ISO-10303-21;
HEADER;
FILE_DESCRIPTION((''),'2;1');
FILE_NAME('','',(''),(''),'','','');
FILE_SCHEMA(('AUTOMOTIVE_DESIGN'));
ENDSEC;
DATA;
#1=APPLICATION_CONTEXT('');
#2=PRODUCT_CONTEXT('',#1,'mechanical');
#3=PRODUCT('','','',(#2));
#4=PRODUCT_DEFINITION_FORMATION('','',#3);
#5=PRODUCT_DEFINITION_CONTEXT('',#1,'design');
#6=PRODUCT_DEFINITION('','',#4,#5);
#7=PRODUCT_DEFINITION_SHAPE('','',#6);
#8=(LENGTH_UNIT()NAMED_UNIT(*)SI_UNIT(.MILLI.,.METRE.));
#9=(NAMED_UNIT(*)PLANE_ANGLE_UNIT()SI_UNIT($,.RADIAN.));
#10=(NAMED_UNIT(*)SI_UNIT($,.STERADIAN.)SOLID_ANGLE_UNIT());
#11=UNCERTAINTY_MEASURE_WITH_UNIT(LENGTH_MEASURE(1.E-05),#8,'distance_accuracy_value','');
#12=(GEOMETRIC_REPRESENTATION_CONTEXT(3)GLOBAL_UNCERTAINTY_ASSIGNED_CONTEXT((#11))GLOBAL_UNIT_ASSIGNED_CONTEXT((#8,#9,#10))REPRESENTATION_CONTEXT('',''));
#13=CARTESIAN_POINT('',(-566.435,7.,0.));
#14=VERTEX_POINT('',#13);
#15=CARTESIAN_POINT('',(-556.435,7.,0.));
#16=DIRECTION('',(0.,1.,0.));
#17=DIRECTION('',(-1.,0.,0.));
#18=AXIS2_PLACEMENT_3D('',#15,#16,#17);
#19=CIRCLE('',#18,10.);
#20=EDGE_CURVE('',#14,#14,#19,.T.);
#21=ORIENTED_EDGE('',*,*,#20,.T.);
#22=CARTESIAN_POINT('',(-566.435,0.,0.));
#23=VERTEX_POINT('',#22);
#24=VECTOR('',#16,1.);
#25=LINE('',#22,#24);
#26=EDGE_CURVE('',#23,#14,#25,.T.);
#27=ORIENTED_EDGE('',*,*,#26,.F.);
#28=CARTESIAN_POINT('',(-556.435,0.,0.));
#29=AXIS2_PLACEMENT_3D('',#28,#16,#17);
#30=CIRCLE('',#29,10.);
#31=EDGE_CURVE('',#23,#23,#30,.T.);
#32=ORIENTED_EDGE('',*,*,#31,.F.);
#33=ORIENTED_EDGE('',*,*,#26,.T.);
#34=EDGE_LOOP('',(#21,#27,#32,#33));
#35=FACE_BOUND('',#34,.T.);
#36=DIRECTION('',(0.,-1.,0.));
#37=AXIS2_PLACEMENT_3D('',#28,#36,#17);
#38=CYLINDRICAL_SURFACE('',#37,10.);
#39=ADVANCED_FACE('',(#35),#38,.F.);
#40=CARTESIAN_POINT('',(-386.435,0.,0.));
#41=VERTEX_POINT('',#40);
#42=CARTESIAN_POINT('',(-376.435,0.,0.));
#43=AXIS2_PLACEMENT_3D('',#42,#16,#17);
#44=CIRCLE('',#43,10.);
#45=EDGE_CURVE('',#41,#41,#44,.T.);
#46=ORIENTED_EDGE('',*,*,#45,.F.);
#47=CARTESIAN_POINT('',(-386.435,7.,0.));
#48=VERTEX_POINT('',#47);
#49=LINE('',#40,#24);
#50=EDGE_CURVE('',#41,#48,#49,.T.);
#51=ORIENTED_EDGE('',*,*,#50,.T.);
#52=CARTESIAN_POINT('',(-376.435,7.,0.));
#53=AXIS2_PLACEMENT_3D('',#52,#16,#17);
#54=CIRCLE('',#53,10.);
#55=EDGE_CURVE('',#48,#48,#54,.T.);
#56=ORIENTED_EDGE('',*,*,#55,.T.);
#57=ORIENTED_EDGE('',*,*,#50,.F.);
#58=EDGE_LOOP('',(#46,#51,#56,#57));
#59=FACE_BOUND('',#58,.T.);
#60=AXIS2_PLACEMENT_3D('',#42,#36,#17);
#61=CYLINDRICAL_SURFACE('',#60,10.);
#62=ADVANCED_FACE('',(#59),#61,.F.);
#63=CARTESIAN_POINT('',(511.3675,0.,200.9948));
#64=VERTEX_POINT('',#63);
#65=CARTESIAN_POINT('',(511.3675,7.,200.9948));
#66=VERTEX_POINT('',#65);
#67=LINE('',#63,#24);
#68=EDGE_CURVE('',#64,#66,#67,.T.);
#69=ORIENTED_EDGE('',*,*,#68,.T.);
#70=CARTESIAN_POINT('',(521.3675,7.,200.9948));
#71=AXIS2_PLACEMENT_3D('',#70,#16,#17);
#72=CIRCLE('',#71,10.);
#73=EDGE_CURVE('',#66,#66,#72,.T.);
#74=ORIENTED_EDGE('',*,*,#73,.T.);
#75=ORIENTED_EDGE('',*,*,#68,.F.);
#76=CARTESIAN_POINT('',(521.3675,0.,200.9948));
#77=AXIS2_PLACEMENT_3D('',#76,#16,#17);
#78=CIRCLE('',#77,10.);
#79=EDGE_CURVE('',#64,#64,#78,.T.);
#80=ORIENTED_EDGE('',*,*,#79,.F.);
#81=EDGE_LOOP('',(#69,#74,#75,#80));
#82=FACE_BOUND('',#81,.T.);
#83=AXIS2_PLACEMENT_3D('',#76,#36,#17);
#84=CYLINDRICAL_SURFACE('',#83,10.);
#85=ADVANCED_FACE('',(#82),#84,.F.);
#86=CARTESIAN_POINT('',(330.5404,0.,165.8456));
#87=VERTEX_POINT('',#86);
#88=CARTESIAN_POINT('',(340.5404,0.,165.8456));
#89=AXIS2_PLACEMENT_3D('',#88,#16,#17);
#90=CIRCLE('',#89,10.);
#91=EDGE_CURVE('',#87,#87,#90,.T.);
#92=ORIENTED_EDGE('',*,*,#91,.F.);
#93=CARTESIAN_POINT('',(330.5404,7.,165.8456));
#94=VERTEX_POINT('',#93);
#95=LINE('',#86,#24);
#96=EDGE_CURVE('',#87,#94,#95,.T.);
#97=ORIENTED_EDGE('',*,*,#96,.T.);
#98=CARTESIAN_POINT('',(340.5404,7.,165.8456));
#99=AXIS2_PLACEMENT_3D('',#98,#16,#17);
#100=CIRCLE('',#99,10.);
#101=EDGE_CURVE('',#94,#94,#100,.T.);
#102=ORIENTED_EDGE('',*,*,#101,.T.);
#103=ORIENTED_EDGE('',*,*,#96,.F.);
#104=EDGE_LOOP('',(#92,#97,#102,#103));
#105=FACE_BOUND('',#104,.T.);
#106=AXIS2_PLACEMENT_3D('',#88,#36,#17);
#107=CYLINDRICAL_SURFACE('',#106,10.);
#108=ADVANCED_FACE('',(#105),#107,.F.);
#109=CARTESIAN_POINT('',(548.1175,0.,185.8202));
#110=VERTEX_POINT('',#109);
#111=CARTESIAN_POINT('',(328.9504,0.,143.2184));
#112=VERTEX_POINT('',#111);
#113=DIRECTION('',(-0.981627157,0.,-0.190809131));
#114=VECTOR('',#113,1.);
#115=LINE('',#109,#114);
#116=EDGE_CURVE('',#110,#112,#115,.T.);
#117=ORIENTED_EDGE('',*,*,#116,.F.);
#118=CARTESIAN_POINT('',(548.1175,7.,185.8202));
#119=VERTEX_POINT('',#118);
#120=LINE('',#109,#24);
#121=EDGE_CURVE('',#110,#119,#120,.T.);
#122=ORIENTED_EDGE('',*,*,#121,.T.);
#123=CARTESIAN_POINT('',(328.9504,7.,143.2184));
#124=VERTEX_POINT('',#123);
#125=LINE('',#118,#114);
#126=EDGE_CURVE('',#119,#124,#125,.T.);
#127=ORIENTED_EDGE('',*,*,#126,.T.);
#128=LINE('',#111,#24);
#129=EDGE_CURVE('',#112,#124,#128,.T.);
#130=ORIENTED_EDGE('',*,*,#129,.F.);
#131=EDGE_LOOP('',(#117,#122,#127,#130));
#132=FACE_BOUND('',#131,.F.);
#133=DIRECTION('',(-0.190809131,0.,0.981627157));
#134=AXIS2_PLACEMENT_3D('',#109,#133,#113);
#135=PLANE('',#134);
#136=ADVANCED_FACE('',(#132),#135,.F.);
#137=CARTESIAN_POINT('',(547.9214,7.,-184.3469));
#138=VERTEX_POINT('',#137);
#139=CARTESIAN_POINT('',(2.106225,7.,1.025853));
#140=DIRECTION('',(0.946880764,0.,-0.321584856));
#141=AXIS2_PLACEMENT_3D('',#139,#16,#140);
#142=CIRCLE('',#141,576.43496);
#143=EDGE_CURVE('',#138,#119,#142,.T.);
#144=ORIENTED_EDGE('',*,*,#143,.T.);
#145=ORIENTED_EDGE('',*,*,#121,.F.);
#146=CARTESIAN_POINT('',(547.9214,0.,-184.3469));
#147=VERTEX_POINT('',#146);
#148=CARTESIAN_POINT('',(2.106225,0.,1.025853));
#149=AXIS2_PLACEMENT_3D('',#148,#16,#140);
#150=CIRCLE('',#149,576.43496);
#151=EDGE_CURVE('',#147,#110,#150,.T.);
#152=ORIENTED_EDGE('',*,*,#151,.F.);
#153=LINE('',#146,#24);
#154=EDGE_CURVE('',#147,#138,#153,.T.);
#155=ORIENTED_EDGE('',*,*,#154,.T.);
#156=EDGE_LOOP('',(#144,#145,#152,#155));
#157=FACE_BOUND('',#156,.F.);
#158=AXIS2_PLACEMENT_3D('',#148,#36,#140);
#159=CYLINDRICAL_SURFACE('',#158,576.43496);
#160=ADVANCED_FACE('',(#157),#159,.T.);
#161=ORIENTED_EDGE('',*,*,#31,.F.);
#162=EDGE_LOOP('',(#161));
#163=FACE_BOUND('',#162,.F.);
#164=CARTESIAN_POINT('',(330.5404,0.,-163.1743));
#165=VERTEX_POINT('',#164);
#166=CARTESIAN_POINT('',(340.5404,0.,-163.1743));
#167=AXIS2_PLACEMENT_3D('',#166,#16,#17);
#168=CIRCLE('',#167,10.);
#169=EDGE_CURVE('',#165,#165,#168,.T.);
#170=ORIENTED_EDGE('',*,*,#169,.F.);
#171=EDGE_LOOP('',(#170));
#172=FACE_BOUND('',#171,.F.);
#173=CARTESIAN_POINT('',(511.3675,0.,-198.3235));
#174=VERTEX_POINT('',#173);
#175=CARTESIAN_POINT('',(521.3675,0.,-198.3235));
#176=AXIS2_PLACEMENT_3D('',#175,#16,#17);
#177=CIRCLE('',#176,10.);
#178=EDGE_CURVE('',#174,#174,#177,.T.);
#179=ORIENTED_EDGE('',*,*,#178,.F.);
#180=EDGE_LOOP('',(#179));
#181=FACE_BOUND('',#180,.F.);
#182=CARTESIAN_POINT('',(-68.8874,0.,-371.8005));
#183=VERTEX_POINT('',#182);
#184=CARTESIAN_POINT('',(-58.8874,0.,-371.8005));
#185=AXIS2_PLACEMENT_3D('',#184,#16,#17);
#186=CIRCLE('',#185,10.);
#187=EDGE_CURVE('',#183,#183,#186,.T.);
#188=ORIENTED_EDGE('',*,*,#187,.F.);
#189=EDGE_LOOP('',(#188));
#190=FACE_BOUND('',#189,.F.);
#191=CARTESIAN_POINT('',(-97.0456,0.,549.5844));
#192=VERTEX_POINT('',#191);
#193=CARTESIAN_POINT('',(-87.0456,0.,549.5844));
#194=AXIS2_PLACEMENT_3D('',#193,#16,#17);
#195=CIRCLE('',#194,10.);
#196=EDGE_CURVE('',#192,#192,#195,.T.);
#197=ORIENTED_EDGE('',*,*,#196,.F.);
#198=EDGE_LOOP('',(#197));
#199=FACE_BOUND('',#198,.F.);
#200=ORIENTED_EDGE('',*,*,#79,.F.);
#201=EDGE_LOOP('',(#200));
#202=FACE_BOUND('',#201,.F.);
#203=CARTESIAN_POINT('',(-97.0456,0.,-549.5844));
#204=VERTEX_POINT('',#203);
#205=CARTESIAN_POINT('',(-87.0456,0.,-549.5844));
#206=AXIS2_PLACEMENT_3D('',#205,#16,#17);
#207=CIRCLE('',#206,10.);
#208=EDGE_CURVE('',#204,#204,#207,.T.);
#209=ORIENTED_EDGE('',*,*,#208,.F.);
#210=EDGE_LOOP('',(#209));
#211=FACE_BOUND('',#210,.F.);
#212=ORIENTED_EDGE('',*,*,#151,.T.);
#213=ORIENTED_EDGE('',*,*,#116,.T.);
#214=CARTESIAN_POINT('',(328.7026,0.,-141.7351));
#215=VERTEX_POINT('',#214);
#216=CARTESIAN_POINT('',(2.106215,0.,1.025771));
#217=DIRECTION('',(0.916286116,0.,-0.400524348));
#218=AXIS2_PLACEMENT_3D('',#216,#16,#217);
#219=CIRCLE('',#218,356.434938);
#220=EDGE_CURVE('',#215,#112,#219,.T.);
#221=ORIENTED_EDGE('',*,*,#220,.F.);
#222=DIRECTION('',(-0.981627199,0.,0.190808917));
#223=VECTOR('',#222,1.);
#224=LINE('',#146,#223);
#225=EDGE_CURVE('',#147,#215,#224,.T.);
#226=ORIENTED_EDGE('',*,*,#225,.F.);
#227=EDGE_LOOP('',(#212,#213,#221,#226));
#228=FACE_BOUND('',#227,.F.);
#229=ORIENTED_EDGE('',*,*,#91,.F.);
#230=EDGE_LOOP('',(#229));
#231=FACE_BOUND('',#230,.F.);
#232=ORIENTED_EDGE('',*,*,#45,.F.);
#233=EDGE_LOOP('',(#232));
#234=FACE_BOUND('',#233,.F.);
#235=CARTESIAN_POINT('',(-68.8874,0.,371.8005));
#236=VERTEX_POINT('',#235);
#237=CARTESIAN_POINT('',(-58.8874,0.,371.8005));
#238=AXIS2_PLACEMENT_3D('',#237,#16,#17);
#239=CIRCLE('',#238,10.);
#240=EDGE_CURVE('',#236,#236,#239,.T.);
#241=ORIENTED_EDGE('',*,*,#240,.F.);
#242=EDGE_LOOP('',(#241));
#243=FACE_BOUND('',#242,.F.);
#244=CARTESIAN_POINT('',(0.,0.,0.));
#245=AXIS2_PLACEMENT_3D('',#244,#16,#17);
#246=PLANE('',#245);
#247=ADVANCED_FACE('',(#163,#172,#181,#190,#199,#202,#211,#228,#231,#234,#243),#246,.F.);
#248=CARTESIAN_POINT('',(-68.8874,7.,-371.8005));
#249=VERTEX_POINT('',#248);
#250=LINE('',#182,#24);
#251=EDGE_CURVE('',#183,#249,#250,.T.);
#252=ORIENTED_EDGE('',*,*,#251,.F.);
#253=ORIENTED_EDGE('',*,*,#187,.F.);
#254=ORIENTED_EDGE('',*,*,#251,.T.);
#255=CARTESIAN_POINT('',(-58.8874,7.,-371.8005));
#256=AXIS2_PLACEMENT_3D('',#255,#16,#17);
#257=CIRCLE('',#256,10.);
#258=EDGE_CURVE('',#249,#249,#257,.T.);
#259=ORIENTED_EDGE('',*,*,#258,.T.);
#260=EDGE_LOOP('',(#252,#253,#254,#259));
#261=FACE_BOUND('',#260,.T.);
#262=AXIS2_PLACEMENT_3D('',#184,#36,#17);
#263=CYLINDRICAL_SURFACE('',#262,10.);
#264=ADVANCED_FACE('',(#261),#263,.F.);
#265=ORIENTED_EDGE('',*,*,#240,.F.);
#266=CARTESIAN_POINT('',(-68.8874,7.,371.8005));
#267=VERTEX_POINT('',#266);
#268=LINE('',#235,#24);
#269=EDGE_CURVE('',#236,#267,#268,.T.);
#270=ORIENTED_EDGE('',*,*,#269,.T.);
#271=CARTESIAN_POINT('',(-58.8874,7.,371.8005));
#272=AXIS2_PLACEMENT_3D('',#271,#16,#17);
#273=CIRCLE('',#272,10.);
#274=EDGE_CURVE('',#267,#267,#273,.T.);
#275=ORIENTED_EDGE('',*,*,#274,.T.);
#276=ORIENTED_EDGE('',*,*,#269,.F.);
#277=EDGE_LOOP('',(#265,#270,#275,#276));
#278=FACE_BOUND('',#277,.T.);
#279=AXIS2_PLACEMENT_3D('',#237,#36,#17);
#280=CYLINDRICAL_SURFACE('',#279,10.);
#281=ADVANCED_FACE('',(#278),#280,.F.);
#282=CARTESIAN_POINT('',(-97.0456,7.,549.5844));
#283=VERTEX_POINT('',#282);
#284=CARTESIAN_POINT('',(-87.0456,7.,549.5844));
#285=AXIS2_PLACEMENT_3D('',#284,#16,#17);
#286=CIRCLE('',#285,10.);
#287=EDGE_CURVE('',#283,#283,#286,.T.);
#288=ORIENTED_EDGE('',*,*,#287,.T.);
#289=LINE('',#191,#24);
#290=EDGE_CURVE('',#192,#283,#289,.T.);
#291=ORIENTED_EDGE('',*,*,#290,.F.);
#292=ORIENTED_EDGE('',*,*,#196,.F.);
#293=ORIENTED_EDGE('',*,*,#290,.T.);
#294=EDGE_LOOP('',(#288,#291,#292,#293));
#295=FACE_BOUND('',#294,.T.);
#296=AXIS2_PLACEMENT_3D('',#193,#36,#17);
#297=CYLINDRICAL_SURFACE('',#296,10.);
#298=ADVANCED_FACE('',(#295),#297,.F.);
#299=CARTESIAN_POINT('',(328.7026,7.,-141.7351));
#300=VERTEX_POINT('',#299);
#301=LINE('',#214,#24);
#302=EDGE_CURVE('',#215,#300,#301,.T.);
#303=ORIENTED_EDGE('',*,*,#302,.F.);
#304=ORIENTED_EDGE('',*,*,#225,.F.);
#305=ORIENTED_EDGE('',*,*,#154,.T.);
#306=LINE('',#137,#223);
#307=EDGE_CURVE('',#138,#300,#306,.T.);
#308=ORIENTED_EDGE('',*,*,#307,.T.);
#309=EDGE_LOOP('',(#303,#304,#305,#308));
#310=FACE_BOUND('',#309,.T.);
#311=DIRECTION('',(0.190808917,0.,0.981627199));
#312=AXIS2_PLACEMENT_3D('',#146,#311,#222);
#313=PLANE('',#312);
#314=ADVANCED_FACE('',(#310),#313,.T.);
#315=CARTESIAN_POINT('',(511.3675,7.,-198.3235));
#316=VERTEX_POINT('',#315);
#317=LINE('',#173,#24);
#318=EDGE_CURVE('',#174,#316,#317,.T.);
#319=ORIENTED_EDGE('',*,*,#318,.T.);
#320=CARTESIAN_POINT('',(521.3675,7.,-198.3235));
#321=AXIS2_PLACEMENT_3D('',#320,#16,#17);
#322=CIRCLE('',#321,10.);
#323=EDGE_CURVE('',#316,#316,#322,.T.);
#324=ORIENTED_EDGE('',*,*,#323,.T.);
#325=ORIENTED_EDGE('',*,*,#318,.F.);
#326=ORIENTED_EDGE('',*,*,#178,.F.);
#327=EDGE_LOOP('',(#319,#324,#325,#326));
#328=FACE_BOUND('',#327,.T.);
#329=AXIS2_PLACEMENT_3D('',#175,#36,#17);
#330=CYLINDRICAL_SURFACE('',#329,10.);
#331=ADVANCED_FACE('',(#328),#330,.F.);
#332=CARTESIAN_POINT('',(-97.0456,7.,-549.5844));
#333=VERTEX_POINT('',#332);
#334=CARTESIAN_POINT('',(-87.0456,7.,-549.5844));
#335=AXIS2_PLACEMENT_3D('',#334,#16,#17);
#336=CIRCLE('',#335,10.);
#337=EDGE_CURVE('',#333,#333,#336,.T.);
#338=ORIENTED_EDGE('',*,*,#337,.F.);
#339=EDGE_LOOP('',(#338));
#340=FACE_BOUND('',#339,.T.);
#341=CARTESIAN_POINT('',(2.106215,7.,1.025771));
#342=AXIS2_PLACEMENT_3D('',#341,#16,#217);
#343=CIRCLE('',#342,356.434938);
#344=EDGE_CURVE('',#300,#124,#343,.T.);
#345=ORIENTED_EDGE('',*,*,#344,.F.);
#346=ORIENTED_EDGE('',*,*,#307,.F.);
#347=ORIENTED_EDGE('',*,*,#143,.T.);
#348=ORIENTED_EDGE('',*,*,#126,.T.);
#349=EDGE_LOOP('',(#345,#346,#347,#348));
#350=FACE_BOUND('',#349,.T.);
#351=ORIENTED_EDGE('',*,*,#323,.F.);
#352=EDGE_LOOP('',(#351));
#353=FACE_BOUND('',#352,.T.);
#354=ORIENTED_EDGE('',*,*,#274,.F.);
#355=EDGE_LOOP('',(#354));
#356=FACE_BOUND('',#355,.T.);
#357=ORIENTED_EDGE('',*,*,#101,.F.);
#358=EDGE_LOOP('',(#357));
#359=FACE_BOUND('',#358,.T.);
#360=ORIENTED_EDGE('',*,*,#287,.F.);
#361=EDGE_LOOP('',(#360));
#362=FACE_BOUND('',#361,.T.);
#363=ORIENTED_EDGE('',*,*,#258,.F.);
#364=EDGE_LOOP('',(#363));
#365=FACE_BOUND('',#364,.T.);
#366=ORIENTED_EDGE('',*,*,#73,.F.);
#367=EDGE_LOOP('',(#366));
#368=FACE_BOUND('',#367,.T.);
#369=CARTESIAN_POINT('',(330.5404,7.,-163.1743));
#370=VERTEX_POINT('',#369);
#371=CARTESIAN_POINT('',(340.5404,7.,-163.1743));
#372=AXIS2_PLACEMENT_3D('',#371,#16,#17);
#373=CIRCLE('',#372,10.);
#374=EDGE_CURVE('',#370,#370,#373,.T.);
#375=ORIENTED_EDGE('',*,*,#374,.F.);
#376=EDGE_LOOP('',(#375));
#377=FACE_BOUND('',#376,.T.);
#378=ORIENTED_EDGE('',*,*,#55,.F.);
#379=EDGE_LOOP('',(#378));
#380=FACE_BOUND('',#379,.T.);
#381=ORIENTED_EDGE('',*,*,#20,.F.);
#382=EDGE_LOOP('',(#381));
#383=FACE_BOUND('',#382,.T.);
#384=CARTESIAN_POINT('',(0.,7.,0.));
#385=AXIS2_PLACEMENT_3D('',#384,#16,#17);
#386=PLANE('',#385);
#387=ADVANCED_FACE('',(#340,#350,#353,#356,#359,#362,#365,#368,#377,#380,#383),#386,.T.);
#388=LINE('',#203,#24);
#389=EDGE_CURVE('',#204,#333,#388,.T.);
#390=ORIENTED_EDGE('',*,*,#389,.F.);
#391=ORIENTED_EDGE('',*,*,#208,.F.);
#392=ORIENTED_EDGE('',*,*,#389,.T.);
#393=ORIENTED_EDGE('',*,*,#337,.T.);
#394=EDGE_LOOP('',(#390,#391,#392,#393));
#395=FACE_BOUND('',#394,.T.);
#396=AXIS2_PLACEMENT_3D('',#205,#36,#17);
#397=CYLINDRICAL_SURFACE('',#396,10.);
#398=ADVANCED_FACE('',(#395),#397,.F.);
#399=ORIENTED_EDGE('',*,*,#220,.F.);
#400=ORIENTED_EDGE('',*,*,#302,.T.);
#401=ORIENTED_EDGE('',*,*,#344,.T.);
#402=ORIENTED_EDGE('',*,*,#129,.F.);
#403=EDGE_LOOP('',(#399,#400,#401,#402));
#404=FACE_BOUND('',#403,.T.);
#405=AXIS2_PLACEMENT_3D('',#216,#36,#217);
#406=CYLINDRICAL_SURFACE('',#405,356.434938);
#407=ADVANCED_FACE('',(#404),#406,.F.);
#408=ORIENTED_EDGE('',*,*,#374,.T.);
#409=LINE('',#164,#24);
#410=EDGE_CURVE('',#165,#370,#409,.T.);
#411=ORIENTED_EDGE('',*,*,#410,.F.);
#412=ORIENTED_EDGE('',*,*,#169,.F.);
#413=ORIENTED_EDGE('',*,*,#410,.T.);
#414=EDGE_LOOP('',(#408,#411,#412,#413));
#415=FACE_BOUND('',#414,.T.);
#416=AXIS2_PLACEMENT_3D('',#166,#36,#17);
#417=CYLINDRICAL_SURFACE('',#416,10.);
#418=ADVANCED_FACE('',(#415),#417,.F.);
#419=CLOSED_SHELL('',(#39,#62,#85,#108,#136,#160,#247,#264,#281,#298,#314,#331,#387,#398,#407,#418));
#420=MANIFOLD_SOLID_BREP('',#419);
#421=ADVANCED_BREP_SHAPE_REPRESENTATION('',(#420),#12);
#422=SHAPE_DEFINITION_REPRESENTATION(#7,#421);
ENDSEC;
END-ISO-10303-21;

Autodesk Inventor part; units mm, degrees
ref_plane "YZ Plane" through (0, 0, 0) normal (1, 0, 0) x (0, 1, 0)
ref_plane "XZ Plane" through (0, 0, 0) normal (0, 1, 0) x (-1, 0, 0)
ref_plane "XY Plane" through (0, 0, 0) normal (0, 0, 1) x (1, 0, 0)
sketch "Sketch1" plane through (0, 0, 0) normal (0, 1, 0) x (-1, 0, 0)
  line L0 (-548.1175, 185.8202) -> (-328.9504, 143.2184)
  line L1 (-547.9214, -184.3469) -> (-328.7026, -141.7351)
  arc A0 (-547.9214, -184.3469) -> (-548.1175, 185.8202) centre (-2.1062, 1.0257) ccw
  arc A1 (-328.7026, -141.7351) -> (-328.9504, 143.2184) centre (-2.1062, 1.0257) ccw
  circle A2 centre (-340.5404, 165.8456) radius 10
  circle A3 centre (-521.3675, 200.9948) radius 10
  line L2 (-296.1915, 1.3356) -> (-698.7298, 1.3356)
  circle A4 centre (-340.5404, -163.1743) radius 10
  circle A5 centre (-521.3675, -198.3235) radius 10
  circle A6 centre (376.435, 0) radius 10
  circle A7 centre (556.435, 0) radius 10
  circle A8 centre (58.8874, 371.8005) radius 10
  circle A9 centre (87.0456, 549.5844) radius 10
  circle A10 centre (58.8874, -371.8005) radius 10
  circle A11 centre (87.0456, -549.5844) radius 10
  point P0 (0, 0)
  dimension "d34" = 1152.87
  dimension "d48" = 712.87
  dimension "d52" = 20
  dimension "d53" = 20
  dimension "d54" = 376.435
  dimension "d55" = 20
  dimension "d56" = 20
  dimension "d58" = 556.435
  dimension "d59" = 20
  dimension "d60" = 376.435
  dimension "d61" = 20
  dimension "d62" = 556.435
  dimension "d65" = 81
  dimension "d69" = 81
extrude "Extrusion1" add sketch "Sketch1" along normal blind 7
properties part number "Shelf"
